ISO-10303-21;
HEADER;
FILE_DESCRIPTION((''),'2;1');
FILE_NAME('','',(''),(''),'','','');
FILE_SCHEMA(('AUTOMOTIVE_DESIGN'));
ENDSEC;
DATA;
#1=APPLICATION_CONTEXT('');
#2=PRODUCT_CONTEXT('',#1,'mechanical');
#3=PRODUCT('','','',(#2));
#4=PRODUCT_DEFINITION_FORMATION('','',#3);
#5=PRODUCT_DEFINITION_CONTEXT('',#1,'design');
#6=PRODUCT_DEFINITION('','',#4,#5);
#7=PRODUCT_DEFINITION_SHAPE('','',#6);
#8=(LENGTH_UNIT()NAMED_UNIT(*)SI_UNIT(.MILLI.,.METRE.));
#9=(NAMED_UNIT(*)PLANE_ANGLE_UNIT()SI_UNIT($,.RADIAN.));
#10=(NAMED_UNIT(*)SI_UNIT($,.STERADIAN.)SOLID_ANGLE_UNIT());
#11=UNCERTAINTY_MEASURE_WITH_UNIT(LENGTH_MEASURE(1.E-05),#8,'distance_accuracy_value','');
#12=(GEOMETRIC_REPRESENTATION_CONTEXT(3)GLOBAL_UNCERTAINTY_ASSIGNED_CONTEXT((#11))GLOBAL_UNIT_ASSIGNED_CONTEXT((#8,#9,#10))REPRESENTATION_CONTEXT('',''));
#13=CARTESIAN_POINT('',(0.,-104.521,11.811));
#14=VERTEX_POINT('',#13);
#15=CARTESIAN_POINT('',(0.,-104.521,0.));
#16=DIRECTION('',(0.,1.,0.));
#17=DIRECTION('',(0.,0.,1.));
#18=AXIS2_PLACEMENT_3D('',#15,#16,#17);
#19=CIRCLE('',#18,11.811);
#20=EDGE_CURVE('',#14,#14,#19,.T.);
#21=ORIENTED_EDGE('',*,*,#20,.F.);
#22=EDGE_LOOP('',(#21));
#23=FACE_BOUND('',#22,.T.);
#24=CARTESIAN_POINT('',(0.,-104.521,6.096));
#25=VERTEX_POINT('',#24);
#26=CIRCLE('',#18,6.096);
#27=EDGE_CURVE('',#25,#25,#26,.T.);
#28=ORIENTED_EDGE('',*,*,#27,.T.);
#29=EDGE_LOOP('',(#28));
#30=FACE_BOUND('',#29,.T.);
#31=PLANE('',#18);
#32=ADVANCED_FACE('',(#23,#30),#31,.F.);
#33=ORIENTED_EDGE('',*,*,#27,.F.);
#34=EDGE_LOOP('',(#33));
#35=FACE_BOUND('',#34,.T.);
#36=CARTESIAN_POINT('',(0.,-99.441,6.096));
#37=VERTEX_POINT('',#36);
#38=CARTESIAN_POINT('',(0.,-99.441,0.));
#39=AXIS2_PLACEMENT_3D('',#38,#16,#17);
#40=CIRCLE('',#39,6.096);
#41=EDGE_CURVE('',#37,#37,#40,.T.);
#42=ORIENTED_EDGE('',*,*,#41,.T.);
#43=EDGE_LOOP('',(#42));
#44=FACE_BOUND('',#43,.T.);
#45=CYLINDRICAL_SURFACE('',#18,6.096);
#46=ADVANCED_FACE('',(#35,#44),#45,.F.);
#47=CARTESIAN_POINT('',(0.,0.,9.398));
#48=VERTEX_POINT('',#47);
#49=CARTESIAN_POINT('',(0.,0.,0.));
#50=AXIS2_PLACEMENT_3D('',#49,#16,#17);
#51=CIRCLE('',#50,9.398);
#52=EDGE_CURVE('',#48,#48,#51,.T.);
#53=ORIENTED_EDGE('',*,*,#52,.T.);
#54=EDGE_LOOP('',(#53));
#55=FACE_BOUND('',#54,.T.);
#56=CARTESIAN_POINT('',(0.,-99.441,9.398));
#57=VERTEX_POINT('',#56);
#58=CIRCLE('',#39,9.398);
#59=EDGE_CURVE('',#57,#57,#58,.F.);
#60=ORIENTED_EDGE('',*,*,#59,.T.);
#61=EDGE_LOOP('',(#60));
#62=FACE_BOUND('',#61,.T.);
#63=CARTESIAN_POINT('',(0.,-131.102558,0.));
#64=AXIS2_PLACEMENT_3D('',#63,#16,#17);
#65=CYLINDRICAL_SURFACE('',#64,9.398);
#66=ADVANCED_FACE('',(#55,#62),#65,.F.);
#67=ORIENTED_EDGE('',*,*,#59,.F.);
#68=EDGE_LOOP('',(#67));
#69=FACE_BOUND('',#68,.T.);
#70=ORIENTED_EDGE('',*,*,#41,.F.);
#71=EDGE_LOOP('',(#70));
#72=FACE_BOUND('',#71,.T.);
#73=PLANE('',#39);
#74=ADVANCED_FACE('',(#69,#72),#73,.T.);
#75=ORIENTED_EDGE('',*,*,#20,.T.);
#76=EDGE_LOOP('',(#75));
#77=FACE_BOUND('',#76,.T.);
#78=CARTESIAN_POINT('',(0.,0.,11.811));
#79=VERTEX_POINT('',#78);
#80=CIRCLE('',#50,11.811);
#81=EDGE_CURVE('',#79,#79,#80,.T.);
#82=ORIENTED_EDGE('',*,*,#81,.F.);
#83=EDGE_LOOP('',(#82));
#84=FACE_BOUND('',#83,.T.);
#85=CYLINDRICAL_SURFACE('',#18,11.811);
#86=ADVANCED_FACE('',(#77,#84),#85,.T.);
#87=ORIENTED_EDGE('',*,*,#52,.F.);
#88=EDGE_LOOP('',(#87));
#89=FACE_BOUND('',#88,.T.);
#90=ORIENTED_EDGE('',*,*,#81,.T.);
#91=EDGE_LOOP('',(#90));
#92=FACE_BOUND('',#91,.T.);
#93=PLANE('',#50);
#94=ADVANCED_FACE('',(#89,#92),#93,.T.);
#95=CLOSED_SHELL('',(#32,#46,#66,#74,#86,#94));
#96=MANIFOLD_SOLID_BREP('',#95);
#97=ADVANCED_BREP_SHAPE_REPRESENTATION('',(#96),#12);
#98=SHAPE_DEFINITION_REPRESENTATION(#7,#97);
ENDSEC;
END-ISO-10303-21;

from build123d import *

# Parameters (mm, degrees)
SKETCH1_R           = 11.811
BOSS_EXTRUDE1_DEPTH = 104.521
SKETCH2_R           = 9.398
CUT_EXTRUDE1_DEPTH  = 99.441
SKETCH3_R           = 6.096
CUT_EXTRUDE2_DEPTH  = 105.521


with BuildPart() as part:
    # Sketch1 → Boss-Extrude1 (new body)
    with BuildSketch(Plane(origin=(0, 0, 0), x_dir=(1, 0, 0), z_dir=(0, 1, 0))):
        Circle(SKETCH1_R)
    extrude(amount=-BOSS_EXTRUDE1_DEPTH)

    # Sketch2 → Cut-Extrude1 (cut)
    with BuildSketch(Plane(origin=(0, 0, 0), x_dir=(1, 0, 0), z_dir=(0, 1, 0))):
        Circle(SKETCH2_R)
    extrude(amount=-CUT_EXTRUDE1_DEPTH, mode=Mode.SUBTRACT)

    # Sketch3 → Cut-Extrude2 (cut, through all)
    with BuildSketch(Plane(origin=(0, 0, 0), x_dir=(1, 0, 0), z_dir=(0, 1, 0))):
        Circle(SKETCH3_R)
    extrude(amount=-CUT_EXTRUDE2_DEPTH, mode=Mode.SUBTRACT)


solid = part.part
